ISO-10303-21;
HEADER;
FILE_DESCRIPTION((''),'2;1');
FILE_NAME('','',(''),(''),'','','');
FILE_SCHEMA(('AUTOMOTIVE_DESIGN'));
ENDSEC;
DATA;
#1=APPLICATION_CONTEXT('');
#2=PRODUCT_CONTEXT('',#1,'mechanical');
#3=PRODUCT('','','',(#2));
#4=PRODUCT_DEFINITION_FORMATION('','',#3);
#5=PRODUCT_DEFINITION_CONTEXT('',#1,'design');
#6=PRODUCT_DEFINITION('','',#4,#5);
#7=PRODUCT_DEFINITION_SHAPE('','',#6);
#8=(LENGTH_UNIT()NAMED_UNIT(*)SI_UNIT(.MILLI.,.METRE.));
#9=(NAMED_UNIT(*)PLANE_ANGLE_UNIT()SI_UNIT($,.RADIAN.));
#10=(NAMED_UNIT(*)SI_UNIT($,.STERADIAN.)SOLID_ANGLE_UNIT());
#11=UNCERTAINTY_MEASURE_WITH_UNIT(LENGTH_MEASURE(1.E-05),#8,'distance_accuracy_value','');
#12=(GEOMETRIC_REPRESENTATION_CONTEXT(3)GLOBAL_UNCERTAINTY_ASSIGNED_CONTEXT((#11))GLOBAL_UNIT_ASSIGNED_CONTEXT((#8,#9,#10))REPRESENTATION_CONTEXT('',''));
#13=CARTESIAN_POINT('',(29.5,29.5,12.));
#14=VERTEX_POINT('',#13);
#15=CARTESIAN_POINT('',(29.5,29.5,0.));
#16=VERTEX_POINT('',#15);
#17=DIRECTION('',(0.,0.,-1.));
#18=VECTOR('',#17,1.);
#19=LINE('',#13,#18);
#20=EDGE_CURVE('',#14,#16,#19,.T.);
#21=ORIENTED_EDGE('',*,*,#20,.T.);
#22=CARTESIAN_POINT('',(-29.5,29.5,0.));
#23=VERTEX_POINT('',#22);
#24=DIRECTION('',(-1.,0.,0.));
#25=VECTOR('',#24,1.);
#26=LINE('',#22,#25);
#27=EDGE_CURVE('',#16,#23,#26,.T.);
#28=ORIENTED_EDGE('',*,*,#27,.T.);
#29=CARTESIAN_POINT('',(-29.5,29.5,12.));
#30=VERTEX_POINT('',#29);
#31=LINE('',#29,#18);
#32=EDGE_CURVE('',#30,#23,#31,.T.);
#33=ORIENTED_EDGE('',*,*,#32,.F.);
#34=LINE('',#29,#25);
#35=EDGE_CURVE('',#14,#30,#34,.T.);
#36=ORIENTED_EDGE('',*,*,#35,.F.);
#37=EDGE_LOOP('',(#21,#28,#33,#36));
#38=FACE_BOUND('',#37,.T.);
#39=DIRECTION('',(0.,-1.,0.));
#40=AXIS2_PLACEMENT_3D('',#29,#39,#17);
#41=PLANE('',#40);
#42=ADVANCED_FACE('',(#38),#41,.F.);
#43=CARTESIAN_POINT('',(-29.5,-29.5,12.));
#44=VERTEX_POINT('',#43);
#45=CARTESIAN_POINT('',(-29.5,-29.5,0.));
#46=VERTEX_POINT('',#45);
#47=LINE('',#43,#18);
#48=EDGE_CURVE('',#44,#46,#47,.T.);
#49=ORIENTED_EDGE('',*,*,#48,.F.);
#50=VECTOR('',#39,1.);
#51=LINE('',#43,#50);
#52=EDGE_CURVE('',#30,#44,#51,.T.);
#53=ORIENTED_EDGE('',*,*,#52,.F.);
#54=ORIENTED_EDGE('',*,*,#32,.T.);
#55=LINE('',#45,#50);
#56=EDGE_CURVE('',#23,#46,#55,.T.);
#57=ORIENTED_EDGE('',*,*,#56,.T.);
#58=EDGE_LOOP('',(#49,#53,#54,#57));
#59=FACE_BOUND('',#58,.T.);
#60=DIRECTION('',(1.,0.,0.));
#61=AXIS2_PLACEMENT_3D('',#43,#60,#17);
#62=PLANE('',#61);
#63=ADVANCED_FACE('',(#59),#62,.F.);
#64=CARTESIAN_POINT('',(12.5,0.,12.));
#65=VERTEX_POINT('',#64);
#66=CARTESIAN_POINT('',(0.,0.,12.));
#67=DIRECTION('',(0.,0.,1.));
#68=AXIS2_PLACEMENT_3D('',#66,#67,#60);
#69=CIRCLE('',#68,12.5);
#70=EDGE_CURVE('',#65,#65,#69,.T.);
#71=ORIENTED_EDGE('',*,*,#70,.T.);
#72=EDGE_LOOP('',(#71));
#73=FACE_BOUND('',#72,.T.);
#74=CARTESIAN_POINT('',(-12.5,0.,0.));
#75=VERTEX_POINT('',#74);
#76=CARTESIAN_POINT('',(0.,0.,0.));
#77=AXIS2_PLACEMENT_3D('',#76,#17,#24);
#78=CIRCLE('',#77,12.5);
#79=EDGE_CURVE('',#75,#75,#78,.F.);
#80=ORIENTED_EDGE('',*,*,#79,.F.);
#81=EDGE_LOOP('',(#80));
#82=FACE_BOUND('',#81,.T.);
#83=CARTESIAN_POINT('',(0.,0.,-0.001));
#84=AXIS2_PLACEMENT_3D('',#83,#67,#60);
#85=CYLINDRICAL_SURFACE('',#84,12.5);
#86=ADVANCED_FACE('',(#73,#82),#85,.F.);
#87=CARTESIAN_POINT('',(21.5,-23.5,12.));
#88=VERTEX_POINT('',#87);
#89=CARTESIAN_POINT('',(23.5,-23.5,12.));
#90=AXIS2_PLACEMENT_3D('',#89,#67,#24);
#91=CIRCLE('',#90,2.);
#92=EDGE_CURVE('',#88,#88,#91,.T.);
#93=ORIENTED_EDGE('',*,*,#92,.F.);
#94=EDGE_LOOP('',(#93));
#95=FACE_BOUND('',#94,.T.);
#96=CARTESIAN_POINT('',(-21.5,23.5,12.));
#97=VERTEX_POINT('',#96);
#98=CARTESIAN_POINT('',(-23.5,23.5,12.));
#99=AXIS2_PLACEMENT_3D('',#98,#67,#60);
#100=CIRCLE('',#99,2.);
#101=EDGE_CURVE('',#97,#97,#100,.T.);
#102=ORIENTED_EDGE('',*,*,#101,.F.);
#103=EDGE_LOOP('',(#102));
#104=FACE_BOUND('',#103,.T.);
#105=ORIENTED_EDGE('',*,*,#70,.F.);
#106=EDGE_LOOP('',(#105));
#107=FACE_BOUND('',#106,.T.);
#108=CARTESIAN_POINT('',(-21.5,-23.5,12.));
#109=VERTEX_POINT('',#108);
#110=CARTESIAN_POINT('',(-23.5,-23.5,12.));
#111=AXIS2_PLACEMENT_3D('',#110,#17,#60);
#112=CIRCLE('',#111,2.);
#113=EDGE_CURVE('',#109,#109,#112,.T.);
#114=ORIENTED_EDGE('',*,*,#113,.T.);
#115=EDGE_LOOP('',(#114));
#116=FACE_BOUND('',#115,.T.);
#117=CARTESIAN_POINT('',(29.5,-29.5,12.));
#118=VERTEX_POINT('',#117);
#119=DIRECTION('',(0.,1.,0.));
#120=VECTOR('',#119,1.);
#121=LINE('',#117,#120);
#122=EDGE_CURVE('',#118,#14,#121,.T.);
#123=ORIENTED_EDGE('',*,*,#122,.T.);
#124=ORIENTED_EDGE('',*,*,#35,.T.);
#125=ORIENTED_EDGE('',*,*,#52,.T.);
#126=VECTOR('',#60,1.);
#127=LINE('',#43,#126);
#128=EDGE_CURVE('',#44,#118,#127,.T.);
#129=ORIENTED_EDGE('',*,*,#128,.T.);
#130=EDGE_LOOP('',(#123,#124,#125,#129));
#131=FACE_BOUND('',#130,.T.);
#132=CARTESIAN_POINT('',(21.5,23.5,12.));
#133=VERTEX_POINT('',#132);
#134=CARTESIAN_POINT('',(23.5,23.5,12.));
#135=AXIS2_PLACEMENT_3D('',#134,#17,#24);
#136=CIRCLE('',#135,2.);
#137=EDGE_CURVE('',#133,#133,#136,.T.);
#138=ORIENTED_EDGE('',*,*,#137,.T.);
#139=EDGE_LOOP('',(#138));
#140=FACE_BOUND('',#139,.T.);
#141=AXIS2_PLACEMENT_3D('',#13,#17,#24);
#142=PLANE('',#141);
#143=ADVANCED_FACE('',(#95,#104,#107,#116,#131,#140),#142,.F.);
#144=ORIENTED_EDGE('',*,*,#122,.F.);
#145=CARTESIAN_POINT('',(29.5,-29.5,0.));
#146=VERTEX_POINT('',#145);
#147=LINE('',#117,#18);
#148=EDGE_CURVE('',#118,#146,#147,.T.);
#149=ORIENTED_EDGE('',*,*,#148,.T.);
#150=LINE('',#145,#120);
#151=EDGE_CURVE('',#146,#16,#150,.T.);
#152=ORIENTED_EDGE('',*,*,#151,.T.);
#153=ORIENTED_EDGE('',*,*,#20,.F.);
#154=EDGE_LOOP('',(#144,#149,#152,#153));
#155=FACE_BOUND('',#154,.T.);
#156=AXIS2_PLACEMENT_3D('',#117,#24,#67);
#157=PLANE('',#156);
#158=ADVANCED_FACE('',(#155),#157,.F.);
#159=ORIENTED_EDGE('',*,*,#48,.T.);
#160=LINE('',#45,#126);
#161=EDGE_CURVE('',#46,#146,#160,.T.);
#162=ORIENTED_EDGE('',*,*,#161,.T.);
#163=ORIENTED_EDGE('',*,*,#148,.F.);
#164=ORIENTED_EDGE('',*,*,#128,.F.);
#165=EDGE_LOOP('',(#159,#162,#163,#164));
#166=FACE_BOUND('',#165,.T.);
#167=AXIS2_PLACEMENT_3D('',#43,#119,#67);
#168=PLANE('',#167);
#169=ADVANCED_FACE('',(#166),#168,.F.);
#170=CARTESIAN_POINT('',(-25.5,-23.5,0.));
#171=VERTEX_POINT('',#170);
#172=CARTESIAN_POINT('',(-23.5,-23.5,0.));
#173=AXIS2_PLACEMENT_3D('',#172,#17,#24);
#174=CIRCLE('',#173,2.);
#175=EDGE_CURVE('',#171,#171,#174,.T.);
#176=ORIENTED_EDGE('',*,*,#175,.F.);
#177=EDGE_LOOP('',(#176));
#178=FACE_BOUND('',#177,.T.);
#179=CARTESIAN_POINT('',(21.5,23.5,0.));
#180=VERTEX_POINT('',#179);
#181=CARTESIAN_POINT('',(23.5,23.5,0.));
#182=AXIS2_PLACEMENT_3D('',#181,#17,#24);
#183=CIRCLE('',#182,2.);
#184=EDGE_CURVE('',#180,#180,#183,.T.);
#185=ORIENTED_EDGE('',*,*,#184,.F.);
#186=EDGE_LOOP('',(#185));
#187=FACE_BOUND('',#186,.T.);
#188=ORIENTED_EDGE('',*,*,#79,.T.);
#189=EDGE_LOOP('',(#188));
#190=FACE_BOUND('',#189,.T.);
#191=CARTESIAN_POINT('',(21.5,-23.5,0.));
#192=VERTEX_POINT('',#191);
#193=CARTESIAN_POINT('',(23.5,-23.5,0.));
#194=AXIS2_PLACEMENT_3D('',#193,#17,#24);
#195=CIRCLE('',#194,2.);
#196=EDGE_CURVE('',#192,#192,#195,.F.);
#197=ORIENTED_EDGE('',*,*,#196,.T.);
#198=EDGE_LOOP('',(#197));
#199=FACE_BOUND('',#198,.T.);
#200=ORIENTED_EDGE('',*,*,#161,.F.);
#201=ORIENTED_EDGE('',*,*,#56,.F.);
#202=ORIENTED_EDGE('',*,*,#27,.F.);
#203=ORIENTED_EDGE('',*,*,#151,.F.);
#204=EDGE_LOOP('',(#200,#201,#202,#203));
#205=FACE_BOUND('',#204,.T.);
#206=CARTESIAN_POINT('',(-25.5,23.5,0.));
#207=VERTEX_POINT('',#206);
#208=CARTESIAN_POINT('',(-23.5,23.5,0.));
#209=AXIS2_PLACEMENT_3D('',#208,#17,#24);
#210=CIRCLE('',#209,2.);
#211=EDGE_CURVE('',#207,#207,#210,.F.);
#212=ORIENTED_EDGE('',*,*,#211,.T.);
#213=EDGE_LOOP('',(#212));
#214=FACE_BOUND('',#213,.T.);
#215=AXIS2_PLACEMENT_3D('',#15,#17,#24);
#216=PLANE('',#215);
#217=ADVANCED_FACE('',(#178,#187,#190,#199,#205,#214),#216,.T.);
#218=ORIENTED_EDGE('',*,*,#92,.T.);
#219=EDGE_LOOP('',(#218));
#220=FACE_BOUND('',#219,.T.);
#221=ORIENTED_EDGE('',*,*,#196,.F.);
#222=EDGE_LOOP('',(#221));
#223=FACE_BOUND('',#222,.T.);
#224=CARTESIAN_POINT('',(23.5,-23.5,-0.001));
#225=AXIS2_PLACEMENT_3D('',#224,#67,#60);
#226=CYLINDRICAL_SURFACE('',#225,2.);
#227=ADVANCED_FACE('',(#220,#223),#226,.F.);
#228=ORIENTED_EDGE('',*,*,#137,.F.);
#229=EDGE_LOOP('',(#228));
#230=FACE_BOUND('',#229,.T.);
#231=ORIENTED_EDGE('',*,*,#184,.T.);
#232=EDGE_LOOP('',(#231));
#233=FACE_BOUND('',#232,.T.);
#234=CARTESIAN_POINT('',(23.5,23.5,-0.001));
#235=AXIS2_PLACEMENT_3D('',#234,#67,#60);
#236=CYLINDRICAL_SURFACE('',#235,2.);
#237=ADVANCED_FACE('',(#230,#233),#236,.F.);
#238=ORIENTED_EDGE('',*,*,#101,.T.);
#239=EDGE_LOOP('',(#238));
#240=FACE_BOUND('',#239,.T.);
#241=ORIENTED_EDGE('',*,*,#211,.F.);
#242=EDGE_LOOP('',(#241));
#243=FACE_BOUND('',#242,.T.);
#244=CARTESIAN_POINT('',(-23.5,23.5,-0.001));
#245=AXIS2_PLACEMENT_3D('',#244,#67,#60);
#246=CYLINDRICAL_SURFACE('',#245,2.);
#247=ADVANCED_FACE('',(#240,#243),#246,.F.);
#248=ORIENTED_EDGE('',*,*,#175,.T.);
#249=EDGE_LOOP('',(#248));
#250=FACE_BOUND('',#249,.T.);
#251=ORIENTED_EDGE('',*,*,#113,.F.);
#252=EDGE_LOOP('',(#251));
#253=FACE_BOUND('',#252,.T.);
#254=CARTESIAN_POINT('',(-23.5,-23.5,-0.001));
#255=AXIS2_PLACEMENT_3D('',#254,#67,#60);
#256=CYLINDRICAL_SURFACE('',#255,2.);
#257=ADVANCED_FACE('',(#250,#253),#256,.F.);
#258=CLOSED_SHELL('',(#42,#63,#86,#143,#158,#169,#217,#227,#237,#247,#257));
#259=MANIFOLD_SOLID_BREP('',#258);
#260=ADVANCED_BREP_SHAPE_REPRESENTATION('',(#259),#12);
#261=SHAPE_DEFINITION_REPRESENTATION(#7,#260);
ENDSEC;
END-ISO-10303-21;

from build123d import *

# Parameters (mm, degrees)
SKETCH1_W               = 59
SKETCH1_H               = 59
BOSS_EXTRUDE1_DEPTH     = 12
CUT_EXTRUDE1_REACH      = 45.411
SKETCH2_R               = 2
MIRROR2_COPY_1_REACH    = 45.411
MIRROR2_COPY_1_SKETCH_R = 2
CUT_EXTRUDE2_REACH      = 45.411
SKETCH3_R               = 12.5


with BuildPart() as part:
    # Sketch1 → Boss-Extrude1 (new body)
    with BuildSketch(Plane.XY):
        Rectangle(SKETCH1_W, SKETCH1_H)
    extrude(amount=BOSS_EXTRUDE1_DEPTH)

    # Sketch2 → Cut-Extrude1 (cut, up to next)
    with BuildSketch(Plane.XY.offset(12), mode=Mode.PRIVATE) as cut_extrude1_sk1:
        with Locations((-23.5, 23.5)):
            Circle(SKETCH2_R)
    cut_extrude1_tool1 = extrude(cut_extrude1_sk1.sketch, amount=-CUT_EXTRUDE1_REACH, mode=Mode.PRIVATE) & part.part
    cut_extrude1 = cut_extrude1_tool1.solids().sort_by_distance((-23.5, 23.5, 12))[0]
    add(cut_extrude1, mode=Mode.SUBTRACT)

    # Mirror1: Cut-Extrude1 across plane
    add(cut_extrude1.mirror(Plane(origin=(0, 0, 0), x_dir=(0, 0, 1), z_dir=(1, 0, 0))), mode=Mode.SUBTRACT)

    # Mirror2: Cut-Extrude1 across plane
    add(cut_extrude1.mirror(Plane.ZX), mode=Mode.SUBTRACT)

    # Mirror2 copy 1 sketch → Mirror2 copy 1 (cut, up to next)
    with BuildSketch(Plane(origin=(0, 0, 12), x_dir=(-1, 0, 0), z_dir=(0, 0, 1)), mode=Mode.PRIVATE) as mirror2_copy_1_sk1:
        with Locations((-23.5, 23.5)):
            Circle(MIRROR2_COPY_1_SKETCH_R)
    mirror2_copy_1_tool1 = extrude(mirror2_copy_1_sk1.sketch, amount=-MIRROR2_COPY_1_REACH, mode=Mode.PRIVATE) & part.part
    add(mirror2_copy_1_tool1.solids().sort_by_distance((23.5, -23.5, 12))[0], mode=Mode.SUBTRACT)

    # Sketch3 → Cut-Extrude2 (cut, up to next)
    with BuildSketch(Plane.XY.offset(12), mode=Mode.PRIVATE) as cut_extrude2_sk1:
        Circle(SKETCH3_R)
    cut_extrude2_tool1 = extrude(cut_extrude2_sk1.sketch, amount=-CUT_EXTRUDE2_REACH, mode=Mode.PRIVATE) & part.part
    add(cut_extrude2_tool1.solids().sort_by_distance((0, 0, 12))[0], mode=Mode.SUBTRACT)


solid = part.part
